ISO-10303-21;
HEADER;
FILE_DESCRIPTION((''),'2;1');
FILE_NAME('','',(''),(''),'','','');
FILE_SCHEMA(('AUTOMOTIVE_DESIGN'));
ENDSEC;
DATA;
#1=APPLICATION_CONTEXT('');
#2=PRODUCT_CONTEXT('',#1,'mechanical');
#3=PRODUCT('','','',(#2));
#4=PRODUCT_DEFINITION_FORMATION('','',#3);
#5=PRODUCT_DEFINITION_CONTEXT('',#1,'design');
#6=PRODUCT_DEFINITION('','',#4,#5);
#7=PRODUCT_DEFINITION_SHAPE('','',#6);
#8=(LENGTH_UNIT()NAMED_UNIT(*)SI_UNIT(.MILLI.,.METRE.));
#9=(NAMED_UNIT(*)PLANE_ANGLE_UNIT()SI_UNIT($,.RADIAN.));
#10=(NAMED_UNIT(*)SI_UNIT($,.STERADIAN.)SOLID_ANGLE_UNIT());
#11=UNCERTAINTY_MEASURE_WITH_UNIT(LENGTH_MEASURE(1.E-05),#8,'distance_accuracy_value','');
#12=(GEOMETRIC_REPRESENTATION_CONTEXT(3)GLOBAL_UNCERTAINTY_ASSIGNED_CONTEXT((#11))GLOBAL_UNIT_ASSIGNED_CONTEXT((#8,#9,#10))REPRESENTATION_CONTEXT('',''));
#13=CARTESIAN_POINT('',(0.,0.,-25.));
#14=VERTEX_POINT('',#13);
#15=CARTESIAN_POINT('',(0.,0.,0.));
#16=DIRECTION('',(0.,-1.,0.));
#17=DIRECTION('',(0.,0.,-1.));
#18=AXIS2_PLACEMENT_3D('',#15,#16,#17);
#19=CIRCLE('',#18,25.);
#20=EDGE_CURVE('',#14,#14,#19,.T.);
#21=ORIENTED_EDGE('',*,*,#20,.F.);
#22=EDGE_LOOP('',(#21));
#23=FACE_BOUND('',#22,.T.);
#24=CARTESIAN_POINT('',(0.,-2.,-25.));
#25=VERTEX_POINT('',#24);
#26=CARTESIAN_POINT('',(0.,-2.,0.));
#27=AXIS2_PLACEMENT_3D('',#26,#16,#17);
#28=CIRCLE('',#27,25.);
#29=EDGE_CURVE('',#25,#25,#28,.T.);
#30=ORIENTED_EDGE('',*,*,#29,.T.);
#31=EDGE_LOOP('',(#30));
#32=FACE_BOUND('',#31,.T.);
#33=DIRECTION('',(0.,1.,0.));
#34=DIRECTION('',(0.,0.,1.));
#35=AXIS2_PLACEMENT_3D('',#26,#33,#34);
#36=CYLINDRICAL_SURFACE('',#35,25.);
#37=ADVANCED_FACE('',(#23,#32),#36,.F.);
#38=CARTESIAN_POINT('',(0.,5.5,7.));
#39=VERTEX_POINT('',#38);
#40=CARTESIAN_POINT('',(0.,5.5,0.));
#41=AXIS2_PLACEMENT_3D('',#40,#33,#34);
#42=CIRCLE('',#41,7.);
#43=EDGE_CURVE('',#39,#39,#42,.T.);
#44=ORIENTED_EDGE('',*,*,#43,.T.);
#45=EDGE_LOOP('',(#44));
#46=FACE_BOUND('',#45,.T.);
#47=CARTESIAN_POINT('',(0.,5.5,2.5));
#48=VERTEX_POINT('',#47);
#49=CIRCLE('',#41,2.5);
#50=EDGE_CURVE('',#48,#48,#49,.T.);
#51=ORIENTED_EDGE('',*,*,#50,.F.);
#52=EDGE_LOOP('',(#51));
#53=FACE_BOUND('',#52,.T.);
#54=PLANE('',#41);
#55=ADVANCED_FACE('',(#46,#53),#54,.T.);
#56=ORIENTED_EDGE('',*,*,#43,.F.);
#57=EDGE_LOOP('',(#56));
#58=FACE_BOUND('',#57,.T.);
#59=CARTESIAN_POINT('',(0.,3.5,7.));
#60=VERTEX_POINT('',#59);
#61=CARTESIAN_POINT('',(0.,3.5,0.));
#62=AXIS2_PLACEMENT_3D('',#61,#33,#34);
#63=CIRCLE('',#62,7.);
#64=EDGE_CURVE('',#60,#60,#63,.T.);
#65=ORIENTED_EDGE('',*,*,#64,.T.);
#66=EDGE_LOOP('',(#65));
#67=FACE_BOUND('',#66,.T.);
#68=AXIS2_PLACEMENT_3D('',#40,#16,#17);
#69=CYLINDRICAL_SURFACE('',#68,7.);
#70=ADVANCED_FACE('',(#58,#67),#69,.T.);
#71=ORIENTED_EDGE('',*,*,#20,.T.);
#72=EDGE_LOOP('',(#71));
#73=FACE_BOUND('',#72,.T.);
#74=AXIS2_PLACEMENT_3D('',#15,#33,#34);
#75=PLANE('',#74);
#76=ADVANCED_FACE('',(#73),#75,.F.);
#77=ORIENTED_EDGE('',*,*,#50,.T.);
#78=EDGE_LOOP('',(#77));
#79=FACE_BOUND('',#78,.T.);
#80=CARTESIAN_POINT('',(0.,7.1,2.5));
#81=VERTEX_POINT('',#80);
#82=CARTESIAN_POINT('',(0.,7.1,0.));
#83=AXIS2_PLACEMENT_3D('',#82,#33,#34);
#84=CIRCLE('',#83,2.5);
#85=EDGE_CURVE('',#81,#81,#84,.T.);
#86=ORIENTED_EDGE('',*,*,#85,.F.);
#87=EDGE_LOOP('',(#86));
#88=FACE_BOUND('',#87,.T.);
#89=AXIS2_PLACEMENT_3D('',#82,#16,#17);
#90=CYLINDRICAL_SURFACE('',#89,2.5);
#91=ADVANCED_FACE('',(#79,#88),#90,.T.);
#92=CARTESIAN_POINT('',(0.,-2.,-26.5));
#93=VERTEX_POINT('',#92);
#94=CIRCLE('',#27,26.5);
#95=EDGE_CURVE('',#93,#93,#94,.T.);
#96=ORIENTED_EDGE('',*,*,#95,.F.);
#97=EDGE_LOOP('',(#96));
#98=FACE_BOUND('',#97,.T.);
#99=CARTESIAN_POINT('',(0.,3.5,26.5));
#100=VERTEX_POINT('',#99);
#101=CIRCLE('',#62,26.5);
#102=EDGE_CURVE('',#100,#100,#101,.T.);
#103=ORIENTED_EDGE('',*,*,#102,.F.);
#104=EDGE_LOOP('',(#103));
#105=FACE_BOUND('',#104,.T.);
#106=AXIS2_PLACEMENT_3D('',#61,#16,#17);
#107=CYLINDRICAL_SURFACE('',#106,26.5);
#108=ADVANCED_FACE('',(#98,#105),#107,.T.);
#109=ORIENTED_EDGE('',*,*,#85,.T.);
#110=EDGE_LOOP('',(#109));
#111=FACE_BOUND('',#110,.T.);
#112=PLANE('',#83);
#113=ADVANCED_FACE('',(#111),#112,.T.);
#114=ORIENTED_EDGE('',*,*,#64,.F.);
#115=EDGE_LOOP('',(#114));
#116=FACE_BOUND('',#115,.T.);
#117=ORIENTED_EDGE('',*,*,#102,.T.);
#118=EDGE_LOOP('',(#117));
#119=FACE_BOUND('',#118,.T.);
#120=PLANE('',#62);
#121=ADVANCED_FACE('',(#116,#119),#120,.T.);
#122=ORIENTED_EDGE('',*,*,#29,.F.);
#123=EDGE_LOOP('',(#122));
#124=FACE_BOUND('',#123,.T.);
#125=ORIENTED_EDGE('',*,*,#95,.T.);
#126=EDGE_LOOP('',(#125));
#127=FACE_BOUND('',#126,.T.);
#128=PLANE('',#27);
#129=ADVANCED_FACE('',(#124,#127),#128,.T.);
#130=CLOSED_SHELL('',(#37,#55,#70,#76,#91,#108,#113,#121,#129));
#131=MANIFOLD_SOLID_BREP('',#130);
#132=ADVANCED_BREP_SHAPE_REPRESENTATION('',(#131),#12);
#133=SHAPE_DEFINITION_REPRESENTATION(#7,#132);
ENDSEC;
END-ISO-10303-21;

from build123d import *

# Parameters (mm, degrees)
SKETCH1_R           = 26.5
BOSS_EXTRUDE1_DEPTH = 3.5
SKETCH2_R           = 7
BOSS_EXTRUDE2_DEPTH = 2
SKETCH5_R           = 2.5
BOSS_EXTRUDE3_DEPTH = 1.6
BOSS_EXTRUDE4_START = 2
SKETCH6_R           = 26.5
SKETCH6_R_2         = 25
BOSS_EXTRUDE4_DEPTH = 2


with BuildPart() as part:
    # Sketch1 → Boss-Extrude1 (new body)
    with BuildSketch(Plane(origin=(0, 0, 0), x_dir=(1, 0, 0), z_dir=(0, 1, 0))):
        with Locations(Location((0, 0, 0), (0, 0, 270))):
            Circle(SKETCH1_R)
    extrude(amount=BOSS_EXTRUDE1_DEPTH)

    # Sketch2 → Boss-Extrude2 (add)
    with BuildSketch(Plane(origin=(0, 3.5, 0), x_dir=(1, 0, 0), z_dir=(0, 1, 0))):
        with Locations(Location((0, 0, 0), (0, 0, 270))):
            Circle(SKETCH2_R)
    extrude(amount=BOSS_EXTRUDE2_DEPTH)

    # Sketch5 → Boss-Extrude3 (add)
    with BuildSketch(Plane(origin=(0, 5.5, 0), x_dir=(1, 0, 0), z_dir=(0, 1, 0))):
        with Locations(Location((0, 0, 0), (0, 0, 270))):
            Circle(SKETCH5_R)
    extrude(amount=BOSS_EXTRUDE3_DEPTH)

    # Sketch6 → Boss-Extrude4 (add)
    with BuildSketch(Plane.XZ.offset(BOSS_EXTRUDE4_START)):
        with Locations(Location((0, 0, 0), (0, 0, 270))):
            Circle(SKETCH6_R)
        with Locations(Location((0, 0, 0), (0, 0, 270))):
            Circle(SKETCH6_R_2, mode=Mode.SUBTRACT)
    extrude(amount=-BOSS_EXTRUDE4_DEPTH)


solid = part.part
